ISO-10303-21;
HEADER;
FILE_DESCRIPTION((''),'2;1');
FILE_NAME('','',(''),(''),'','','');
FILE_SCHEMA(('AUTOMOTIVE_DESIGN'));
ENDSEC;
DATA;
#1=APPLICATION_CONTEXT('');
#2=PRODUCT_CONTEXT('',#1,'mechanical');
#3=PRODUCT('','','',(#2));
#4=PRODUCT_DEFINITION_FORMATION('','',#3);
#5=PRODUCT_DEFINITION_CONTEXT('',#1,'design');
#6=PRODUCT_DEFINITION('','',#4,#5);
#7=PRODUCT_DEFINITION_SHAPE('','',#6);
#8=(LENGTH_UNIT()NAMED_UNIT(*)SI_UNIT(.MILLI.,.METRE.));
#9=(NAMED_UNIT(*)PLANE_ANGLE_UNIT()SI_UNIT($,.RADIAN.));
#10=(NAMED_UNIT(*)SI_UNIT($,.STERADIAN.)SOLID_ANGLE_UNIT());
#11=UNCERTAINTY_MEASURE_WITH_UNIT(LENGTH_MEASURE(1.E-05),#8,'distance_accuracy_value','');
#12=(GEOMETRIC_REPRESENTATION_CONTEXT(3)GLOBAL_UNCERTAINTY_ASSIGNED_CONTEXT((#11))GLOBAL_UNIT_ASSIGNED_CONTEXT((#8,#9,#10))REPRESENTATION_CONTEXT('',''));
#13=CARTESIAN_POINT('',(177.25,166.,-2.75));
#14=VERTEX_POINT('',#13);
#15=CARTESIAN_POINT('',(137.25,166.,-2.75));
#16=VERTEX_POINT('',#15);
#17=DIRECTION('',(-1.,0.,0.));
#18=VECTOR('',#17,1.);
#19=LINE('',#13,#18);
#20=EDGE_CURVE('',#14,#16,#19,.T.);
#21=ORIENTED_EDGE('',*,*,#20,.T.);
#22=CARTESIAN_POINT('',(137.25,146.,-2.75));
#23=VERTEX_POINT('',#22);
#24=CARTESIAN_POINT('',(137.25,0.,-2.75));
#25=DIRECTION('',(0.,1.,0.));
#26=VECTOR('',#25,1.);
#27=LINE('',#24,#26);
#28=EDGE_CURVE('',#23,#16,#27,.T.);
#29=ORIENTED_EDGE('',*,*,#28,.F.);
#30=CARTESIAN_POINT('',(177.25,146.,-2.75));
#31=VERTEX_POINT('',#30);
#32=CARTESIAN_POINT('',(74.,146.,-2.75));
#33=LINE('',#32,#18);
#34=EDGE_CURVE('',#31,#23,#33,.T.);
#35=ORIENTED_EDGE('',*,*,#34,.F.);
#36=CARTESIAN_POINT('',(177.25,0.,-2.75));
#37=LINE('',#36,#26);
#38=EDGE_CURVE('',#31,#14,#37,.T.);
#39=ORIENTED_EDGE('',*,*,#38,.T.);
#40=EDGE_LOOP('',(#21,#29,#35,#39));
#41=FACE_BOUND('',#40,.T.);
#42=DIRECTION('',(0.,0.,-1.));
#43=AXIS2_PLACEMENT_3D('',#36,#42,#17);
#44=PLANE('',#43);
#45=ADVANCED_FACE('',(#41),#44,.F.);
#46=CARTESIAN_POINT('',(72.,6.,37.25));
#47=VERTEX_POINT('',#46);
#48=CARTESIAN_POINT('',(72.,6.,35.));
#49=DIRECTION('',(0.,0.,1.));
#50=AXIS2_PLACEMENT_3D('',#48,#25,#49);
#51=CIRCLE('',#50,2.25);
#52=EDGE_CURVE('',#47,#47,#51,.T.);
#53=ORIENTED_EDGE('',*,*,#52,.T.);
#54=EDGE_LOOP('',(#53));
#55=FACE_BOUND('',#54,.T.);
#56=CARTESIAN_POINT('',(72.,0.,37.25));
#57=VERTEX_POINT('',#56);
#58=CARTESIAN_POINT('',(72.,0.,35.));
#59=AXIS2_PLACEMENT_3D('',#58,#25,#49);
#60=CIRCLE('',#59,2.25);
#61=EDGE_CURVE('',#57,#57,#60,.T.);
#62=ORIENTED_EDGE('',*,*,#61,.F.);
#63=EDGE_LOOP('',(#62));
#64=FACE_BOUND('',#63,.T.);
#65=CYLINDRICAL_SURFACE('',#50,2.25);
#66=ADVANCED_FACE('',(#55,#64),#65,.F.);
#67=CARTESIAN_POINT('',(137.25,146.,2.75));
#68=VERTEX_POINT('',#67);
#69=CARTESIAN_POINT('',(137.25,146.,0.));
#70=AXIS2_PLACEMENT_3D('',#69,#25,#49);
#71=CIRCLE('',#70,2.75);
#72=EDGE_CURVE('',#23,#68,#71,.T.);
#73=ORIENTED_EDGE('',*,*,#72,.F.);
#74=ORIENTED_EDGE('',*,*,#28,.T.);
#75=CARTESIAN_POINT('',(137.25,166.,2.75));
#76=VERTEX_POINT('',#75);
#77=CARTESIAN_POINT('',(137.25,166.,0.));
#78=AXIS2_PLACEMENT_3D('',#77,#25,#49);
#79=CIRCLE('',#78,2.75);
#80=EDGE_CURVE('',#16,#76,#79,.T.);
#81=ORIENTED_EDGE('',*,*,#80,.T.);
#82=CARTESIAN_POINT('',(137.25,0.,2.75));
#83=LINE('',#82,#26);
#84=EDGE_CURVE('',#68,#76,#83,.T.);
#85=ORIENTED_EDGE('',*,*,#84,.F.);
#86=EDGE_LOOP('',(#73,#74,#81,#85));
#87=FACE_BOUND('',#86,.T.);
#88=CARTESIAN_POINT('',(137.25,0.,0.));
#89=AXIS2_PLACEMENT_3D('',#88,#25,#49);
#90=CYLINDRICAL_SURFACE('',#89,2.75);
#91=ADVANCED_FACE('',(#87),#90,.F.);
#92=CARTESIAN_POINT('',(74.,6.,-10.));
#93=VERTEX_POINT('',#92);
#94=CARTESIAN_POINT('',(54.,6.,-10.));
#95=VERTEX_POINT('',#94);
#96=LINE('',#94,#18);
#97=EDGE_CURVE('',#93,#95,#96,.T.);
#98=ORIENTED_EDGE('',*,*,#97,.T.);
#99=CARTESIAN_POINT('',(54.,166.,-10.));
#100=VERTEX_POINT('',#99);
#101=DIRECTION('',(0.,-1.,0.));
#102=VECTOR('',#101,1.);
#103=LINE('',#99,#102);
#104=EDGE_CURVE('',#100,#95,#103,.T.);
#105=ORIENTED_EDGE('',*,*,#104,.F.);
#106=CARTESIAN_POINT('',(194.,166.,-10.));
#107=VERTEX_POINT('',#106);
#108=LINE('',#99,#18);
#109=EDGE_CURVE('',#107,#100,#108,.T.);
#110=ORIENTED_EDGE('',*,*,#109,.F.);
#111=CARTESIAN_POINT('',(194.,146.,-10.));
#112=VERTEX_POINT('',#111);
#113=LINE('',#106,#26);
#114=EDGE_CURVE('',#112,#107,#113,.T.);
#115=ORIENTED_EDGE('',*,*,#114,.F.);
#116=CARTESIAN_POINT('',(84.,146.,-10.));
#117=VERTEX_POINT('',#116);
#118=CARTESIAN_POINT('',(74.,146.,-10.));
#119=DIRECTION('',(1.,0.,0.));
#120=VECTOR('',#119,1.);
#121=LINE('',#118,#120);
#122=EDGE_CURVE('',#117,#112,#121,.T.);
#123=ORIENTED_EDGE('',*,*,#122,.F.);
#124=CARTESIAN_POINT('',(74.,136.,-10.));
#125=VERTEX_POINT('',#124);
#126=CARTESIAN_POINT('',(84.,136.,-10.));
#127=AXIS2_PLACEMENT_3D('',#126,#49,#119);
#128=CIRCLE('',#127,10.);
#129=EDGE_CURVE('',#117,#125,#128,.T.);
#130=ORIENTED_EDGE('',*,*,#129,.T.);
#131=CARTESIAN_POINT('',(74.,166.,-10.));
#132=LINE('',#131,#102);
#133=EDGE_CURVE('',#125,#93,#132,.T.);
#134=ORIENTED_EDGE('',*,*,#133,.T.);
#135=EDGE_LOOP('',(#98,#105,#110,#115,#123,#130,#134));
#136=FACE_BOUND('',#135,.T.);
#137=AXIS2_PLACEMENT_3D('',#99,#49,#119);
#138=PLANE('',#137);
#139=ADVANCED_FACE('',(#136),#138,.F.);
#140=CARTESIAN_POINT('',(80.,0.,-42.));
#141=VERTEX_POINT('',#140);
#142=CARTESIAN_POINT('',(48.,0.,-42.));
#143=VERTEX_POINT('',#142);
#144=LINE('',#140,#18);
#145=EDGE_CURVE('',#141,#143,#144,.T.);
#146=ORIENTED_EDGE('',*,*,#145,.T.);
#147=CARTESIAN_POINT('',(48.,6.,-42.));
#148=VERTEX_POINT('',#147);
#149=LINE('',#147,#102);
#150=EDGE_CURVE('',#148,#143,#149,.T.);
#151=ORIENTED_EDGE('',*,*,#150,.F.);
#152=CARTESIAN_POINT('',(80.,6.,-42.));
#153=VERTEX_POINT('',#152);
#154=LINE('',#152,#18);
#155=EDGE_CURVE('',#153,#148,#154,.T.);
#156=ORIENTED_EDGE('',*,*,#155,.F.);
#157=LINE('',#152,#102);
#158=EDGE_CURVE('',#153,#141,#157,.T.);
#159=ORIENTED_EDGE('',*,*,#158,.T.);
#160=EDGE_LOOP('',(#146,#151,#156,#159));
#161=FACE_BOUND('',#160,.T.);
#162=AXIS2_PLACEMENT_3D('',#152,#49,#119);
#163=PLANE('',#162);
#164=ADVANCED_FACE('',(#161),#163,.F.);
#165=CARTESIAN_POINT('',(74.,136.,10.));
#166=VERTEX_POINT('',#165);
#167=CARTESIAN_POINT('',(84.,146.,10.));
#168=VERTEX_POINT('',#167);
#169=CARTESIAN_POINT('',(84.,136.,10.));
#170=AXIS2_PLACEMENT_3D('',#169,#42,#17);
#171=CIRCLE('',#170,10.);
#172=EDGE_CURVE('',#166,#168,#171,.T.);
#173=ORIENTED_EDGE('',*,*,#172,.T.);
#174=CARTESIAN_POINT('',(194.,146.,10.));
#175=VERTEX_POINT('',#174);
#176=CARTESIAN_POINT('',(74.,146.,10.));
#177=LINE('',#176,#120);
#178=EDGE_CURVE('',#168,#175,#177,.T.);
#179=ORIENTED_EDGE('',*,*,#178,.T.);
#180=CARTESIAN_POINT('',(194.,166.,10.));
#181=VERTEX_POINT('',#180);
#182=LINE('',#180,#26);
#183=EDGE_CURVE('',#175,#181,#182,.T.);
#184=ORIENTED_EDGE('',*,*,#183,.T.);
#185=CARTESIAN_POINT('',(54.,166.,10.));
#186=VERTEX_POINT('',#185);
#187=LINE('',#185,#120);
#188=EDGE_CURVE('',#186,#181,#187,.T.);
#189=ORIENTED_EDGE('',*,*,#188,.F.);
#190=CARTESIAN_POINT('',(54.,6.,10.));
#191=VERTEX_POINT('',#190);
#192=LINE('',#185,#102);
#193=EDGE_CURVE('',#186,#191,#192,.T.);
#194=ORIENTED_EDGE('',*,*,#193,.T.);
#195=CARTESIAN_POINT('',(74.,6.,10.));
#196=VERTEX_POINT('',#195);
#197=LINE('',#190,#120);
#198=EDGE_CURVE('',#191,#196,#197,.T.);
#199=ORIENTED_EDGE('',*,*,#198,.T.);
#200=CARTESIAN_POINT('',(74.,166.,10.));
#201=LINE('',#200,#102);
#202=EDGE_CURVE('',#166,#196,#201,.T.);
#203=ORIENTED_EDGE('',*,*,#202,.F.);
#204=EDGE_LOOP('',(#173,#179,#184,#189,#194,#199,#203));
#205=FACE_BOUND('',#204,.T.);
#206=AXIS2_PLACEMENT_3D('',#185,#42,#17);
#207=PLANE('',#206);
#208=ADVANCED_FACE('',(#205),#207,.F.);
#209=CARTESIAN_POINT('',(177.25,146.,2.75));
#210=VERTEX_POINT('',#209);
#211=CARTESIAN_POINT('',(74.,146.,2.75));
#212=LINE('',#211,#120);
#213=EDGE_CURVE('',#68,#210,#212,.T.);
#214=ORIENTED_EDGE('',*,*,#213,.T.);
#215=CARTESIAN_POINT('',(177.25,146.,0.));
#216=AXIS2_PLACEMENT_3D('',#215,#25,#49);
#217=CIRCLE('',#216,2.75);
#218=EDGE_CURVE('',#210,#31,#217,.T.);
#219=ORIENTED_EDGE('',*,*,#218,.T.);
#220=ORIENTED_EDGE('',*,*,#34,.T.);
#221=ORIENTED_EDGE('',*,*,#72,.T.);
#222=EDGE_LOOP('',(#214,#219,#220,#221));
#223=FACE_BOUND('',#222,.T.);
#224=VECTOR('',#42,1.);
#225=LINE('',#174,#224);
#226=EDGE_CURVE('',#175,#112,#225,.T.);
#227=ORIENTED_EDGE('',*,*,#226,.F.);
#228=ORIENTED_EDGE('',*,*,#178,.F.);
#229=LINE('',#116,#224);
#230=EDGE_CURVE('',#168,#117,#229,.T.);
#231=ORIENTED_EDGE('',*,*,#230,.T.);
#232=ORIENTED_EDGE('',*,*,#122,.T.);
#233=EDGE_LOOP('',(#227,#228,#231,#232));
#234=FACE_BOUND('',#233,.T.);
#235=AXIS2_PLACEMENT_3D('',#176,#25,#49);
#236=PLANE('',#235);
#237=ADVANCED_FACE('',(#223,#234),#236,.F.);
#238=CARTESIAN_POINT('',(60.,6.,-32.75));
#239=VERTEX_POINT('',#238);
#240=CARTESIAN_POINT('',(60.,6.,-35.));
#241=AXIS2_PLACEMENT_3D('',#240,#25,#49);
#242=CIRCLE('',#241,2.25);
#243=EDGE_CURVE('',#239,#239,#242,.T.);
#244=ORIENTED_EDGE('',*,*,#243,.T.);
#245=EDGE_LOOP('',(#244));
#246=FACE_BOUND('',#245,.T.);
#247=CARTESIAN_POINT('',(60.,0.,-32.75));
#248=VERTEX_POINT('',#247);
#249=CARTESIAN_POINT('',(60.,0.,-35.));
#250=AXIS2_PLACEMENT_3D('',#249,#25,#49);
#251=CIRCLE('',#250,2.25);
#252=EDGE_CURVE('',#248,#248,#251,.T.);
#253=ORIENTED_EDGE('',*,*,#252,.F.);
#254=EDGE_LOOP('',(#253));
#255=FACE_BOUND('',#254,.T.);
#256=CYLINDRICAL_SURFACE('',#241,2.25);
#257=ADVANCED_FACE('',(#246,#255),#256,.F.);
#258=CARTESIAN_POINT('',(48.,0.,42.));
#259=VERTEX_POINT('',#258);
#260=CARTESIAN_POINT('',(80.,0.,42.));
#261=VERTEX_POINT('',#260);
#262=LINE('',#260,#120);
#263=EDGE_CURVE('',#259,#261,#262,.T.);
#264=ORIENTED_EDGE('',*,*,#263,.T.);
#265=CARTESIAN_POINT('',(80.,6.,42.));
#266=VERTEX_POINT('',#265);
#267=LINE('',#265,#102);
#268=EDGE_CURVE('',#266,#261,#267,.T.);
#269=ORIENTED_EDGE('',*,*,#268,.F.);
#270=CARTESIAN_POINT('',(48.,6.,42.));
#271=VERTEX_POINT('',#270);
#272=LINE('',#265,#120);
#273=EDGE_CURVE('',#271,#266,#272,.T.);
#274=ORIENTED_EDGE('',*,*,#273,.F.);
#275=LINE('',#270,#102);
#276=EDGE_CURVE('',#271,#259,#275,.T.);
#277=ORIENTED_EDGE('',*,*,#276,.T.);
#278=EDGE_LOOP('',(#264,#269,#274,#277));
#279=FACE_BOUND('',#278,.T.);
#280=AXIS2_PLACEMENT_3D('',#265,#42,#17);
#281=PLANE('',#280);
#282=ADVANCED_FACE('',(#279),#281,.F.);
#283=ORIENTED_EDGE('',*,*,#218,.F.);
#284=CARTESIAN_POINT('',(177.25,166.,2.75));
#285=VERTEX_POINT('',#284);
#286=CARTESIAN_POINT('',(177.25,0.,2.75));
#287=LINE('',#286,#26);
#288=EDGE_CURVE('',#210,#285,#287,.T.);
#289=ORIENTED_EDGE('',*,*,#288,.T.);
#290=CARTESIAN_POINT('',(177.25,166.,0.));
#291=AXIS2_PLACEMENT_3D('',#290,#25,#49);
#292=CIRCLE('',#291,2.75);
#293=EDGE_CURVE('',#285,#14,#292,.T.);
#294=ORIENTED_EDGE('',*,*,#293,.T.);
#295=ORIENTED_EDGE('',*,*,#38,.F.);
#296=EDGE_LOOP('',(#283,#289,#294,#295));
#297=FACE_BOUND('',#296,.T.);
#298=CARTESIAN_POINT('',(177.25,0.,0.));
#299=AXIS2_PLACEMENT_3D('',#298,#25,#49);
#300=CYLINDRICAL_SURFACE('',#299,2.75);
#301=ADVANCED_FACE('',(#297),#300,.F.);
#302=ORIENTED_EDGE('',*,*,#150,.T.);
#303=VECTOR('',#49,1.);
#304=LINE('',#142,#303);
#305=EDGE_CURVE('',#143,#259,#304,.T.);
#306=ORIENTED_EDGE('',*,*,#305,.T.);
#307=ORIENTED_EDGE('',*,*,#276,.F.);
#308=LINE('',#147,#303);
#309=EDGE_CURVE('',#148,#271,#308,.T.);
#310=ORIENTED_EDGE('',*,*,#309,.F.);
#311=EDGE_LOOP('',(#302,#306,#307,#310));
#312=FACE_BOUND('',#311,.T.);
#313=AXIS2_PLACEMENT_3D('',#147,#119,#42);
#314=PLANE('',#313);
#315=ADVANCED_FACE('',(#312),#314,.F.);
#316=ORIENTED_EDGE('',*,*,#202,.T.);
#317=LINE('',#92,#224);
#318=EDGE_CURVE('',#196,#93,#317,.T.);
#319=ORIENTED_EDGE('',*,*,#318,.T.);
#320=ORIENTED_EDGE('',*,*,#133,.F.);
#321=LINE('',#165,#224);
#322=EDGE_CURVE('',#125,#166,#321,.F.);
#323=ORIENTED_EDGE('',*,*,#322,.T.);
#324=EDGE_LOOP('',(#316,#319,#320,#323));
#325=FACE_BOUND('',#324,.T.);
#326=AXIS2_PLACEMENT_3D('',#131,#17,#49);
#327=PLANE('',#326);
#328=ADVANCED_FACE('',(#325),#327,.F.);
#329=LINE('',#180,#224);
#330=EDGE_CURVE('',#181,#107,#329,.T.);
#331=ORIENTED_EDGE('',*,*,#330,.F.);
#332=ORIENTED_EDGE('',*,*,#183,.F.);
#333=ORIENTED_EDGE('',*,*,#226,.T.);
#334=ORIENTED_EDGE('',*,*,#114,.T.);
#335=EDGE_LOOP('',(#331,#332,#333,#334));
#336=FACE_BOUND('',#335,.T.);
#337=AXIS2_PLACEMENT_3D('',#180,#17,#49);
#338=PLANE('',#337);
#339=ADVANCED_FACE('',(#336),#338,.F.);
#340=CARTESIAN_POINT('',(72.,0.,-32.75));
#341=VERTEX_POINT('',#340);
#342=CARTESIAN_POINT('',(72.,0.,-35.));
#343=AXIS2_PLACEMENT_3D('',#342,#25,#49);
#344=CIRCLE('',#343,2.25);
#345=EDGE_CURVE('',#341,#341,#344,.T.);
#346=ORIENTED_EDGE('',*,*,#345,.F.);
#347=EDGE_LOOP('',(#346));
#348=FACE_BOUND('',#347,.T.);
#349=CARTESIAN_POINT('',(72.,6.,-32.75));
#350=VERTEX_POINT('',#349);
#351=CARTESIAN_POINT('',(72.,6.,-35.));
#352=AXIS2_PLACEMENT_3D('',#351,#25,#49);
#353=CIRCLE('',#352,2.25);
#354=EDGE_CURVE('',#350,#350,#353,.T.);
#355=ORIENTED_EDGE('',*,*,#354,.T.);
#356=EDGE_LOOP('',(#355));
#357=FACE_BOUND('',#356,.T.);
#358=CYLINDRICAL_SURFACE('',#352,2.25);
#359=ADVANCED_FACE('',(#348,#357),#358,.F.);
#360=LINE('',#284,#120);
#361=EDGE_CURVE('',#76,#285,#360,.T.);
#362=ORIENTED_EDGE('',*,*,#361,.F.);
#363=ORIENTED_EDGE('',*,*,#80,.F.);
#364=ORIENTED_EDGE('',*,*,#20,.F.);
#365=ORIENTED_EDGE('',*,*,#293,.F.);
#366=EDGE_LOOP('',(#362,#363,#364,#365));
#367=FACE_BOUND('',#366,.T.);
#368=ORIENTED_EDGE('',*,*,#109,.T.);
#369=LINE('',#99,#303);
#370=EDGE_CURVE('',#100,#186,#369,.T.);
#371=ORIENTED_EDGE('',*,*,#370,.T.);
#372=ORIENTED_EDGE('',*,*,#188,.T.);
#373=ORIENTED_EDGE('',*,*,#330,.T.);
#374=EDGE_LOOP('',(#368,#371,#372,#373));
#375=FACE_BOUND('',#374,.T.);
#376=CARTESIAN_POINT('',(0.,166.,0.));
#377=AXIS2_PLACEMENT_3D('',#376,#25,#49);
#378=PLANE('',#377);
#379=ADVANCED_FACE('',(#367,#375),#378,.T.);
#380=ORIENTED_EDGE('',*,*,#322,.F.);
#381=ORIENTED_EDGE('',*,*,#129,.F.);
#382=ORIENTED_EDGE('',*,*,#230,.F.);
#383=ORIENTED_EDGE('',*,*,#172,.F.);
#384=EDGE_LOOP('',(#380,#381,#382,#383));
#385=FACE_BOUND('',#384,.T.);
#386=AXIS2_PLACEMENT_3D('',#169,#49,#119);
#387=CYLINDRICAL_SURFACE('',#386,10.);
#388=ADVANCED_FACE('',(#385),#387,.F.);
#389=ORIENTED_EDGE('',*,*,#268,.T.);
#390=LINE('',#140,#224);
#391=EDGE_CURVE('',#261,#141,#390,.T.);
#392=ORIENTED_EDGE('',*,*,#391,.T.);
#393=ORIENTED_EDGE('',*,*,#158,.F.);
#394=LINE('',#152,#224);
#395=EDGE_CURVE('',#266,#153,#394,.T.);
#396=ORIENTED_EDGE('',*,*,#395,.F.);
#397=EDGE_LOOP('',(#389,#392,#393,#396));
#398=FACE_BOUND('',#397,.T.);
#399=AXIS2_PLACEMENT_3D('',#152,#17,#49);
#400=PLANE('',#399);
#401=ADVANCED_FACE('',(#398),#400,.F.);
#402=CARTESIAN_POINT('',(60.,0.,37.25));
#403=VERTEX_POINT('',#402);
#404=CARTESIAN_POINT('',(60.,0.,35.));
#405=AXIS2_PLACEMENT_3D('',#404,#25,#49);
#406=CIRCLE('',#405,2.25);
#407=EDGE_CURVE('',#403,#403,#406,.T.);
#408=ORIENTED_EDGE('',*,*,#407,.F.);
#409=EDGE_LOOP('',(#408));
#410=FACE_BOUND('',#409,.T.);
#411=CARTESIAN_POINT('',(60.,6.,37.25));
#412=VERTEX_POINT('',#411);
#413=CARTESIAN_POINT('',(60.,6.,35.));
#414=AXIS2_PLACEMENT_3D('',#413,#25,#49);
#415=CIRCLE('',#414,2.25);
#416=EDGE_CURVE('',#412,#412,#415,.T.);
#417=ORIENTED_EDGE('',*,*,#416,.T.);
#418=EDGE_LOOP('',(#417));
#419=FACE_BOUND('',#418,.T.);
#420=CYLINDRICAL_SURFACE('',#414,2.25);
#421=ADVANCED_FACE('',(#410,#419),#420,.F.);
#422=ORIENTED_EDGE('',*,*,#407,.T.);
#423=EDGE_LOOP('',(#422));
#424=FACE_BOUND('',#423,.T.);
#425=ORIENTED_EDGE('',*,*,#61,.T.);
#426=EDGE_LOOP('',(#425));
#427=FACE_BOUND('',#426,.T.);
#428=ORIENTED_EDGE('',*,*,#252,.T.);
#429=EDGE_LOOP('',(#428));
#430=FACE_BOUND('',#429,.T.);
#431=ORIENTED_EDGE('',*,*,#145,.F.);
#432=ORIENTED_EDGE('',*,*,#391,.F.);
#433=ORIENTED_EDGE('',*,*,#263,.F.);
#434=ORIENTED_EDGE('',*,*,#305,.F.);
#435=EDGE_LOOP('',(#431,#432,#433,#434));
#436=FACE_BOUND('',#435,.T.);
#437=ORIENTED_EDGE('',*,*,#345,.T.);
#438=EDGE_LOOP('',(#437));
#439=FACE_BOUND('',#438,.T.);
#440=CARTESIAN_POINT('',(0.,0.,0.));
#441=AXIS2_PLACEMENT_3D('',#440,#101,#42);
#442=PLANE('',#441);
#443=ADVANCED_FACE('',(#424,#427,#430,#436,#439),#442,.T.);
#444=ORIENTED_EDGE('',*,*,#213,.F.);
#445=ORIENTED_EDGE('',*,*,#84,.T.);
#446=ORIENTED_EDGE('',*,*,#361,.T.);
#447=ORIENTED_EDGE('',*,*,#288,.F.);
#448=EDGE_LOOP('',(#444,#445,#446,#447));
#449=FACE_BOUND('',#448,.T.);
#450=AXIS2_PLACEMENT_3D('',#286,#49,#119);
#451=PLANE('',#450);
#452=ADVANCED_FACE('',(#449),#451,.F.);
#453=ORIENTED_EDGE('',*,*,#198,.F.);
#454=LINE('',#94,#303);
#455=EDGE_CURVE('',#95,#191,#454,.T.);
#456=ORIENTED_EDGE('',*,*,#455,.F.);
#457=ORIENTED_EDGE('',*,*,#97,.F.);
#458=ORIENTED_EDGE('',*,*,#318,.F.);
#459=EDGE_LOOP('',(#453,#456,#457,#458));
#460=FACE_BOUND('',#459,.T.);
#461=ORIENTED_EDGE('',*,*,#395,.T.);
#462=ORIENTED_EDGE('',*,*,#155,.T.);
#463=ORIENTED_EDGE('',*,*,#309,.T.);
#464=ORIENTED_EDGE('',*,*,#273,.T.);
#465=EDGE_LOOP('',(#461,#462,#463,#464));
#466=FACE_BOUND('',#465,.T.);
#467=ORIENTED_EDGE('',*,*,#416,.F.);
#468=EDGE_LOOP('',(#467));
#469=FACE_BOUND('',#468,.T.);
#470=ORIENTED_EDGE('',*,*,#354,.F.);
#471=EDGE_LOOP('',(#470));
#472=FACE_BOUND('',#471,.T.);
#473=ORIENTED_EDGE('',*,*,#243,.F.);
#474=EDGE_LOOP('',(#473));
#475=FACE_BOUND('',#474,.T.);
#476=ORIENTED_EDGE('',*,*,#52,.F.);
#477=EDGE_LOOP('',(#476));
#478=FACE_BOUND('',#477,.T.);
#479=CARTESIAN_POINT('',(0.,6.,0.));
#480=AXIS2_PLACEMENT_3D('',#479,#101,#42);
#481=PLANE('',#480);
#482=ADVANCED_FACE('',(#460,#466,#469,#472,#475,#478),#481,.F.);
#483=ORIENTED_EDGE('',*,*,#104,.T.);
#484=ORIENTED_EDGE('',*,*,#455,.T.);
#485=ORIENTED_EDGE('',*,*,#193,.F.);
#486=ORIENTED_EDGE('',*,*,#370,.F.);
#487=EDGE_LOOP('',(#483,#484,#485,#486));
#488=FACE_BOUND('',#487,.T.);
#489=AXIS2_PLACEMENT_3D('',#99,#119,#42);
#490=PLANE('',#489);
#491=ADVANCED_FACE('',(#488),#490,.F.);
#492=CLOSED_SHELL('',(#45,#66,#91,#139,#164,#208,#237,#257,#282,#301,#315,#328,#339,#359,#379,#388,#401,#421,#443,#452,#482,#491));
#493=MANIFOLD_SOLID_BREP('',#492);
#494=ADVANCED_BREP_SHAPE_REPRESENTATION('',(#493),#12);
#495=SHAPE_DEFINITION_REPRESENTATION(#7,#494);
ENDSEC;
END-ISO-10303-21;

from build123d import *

# Parameters (mm, degrees)
SKETCH2_W                       = 32
SKETCH2_H                       = 84
STALK_FLANGE_32X84X6_DEPTH      = 6
F_4_5_4_5_DIAMETER_HOLE1_D      = 4.5
SKETCH5_W                       = 20
SKETCH5_H                       = 20
VERTICAL_COLUMN_20X20X160_DEPTH = 160
SKETCH6_W                       = 120
SKETCH6_H                       = 20
HORIZONTAL_ARM_20X20X120_DEPTH  = 10
INSIDE_FILLET_R10_R             = 10
TIP_SLOT_40X5_5_THRU_DEPTH      = 259.758574737


with BuildPart() as part:
    # Sketch2 → Stalk_Flange_32x84x6 (new body)
    with BuildSketch(Plane(origin=(0, 0, 0), x_dir=(1, 0, 0), z_dir=(0, 1, 0))):
        with Locations((64, 0)):
            Rectangle(SKETCH2_W, SKETCH2_H)
    extrude(amount=STALK_FLANGE_32X84X6_DEPTH)

    # Ø4.5 (4.5) Diameter Hole1 (through all)
    with Locations(Plane(origin=(0, 6, 0), x_dir=(1, 0, 0), z_dir=(0, 1, 0))):
        with Locations((60, 35), (72, 35), (60, -35), (72, -35)):
            Hole(F_4_5_4_5_DIAMETER_HOLE1_D / 2)

    # Sketch5 → Vertical_Column_20x20x160 (add)
    with BuildSketch(Plane(origin=(0, 6, 0), x_dir=(1, 0, 0), z_dir=(0, 1, 0))):
        with Locations((64, 0)):
            Rectangle(SKETCH5_W, SKETCH5_H)
    extrude(amount=VERTICAL_COLUMN_20X20X160_DEPTH)

    # Sketch6 → Horizontal_Arm_20x20x120 (add, symmetric)
    with BuildSketch(Plane.XY):
        with Locations((134, 156)):
            Rectangle(SKETCH6_W, SKETCH6_H)
    extrude(amount=HORIZONTAL_ARM_20X20X120_DEPTH, both=True)

    # Inside_Fillet_R10
    inside_fillet_r10_edges = [part.edges().sort_by_distance(p)[0] for p in [
        (74, 146, 0),
    ]]
    fillet(inside_fillet_r10_edges, radius=INSIDE_FILLET_R10_R)

    # Sketch7 → Tip_Slot_40x5.5_THRU (cut, through all)
    with BuildSketch(Plane(origin=(0, 166, 0), x_dir=(1, 0, 0), z_dir=(0, 1, 0))):
        with BuildLine():
            Line((177.25, -2.75), (137.25, -2.75))
            ThreePointArc((137.25, -2.75), (134.5, 0), (137.25, 2.75))
            Line((137.25, 2.75), (177.25, 2.75))
            ThreePointArc((177.25, 2.75), (180, 0), (177.25, -2.75))
        make_face()
    extrude(amount=-TIP_SLOT_40X5_5_THRU_DEPTH, mode=Mode.SUBTRACT)


solid = part.part
